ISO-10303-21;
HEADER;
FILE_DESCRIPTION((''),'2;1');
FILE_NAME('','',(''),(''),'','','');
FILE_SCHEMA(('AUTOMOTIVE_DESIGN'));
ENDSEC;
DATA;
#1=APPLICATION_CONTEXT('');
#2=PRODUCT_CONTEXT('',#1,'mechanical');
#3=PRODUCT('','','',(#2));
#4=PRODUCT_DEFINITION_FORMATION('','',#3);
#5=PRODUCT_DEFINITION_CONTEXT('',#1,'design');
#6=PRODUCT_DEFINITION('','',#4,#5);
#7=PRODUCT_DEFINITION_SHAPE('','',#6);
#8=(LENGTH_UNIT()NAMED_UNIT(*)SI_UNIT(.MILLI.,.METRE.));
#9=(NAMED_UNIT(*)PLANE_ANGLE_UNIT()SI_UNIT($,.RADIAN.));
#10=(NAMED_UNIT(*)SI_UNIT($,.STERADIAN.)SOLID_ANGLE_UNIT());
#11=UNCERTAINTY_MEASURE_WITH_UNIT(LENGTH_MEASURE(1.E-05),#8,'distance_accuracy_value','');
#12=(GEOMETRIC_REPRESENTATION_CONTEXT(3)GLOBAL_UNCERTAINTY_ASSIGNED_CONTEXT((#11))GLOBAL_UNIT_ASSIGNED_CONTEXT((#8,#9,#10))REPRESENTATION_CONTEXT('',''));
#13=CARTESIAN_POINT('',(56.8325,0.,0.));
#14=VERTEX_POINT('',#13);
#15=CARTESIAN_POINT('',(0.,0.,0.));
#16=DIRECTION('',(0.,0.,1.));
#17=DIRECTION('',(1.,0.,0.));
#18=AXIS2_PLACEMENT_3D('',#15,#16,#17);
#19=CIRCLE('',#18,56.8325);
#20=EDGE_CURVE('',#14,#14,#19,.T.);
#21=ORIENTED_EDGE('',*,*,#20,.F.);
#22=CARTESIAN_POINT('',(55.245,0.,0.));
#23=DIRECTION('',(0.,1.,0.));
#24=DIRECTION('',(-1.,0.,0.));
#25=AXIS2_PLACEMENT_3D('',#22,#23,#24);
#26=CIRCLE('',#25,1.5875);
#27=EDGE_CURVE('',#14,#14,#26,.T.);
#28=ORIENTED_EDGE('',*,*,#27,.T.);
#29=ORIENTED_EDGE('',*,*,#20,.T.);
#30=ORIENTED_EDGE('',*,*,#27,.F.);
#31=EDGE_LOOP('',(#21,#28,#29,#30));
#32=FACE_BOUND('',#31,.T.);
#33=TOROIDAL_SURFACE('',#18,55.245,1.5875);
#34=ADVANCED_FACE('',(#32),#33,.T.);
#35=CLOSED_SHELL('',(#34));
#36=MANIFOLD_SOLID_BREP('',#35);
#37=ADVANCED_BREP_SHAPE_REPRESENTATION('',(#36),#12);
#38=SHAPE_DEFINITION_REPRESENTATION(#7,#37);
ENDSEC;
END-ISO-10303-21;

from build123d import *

# Parameters (mm, degrees)
BASE_SWEEP_PROFILE_R = 1.5875


with BuildPart() as part:
    # Base-Sweep: sweep along a path in Sketch-path
    with BuildLine(Plane.XY) as base_sweep_path:
        CenterArc((0, 0), 55.245, 0, 360)
    # Base-Sweep profile (on start of the path) → Base-Sweep (sweep)
    with BuildSketch(Plane(origin=(55.245, 0, 0), x_dir=(0, 0, 1), z_dir=(0, 1, 0))):
        Circle(BASE_SWEEP_PROFILE_R)
    sweep(path=base_sweep_path.line)


solid = part.part
